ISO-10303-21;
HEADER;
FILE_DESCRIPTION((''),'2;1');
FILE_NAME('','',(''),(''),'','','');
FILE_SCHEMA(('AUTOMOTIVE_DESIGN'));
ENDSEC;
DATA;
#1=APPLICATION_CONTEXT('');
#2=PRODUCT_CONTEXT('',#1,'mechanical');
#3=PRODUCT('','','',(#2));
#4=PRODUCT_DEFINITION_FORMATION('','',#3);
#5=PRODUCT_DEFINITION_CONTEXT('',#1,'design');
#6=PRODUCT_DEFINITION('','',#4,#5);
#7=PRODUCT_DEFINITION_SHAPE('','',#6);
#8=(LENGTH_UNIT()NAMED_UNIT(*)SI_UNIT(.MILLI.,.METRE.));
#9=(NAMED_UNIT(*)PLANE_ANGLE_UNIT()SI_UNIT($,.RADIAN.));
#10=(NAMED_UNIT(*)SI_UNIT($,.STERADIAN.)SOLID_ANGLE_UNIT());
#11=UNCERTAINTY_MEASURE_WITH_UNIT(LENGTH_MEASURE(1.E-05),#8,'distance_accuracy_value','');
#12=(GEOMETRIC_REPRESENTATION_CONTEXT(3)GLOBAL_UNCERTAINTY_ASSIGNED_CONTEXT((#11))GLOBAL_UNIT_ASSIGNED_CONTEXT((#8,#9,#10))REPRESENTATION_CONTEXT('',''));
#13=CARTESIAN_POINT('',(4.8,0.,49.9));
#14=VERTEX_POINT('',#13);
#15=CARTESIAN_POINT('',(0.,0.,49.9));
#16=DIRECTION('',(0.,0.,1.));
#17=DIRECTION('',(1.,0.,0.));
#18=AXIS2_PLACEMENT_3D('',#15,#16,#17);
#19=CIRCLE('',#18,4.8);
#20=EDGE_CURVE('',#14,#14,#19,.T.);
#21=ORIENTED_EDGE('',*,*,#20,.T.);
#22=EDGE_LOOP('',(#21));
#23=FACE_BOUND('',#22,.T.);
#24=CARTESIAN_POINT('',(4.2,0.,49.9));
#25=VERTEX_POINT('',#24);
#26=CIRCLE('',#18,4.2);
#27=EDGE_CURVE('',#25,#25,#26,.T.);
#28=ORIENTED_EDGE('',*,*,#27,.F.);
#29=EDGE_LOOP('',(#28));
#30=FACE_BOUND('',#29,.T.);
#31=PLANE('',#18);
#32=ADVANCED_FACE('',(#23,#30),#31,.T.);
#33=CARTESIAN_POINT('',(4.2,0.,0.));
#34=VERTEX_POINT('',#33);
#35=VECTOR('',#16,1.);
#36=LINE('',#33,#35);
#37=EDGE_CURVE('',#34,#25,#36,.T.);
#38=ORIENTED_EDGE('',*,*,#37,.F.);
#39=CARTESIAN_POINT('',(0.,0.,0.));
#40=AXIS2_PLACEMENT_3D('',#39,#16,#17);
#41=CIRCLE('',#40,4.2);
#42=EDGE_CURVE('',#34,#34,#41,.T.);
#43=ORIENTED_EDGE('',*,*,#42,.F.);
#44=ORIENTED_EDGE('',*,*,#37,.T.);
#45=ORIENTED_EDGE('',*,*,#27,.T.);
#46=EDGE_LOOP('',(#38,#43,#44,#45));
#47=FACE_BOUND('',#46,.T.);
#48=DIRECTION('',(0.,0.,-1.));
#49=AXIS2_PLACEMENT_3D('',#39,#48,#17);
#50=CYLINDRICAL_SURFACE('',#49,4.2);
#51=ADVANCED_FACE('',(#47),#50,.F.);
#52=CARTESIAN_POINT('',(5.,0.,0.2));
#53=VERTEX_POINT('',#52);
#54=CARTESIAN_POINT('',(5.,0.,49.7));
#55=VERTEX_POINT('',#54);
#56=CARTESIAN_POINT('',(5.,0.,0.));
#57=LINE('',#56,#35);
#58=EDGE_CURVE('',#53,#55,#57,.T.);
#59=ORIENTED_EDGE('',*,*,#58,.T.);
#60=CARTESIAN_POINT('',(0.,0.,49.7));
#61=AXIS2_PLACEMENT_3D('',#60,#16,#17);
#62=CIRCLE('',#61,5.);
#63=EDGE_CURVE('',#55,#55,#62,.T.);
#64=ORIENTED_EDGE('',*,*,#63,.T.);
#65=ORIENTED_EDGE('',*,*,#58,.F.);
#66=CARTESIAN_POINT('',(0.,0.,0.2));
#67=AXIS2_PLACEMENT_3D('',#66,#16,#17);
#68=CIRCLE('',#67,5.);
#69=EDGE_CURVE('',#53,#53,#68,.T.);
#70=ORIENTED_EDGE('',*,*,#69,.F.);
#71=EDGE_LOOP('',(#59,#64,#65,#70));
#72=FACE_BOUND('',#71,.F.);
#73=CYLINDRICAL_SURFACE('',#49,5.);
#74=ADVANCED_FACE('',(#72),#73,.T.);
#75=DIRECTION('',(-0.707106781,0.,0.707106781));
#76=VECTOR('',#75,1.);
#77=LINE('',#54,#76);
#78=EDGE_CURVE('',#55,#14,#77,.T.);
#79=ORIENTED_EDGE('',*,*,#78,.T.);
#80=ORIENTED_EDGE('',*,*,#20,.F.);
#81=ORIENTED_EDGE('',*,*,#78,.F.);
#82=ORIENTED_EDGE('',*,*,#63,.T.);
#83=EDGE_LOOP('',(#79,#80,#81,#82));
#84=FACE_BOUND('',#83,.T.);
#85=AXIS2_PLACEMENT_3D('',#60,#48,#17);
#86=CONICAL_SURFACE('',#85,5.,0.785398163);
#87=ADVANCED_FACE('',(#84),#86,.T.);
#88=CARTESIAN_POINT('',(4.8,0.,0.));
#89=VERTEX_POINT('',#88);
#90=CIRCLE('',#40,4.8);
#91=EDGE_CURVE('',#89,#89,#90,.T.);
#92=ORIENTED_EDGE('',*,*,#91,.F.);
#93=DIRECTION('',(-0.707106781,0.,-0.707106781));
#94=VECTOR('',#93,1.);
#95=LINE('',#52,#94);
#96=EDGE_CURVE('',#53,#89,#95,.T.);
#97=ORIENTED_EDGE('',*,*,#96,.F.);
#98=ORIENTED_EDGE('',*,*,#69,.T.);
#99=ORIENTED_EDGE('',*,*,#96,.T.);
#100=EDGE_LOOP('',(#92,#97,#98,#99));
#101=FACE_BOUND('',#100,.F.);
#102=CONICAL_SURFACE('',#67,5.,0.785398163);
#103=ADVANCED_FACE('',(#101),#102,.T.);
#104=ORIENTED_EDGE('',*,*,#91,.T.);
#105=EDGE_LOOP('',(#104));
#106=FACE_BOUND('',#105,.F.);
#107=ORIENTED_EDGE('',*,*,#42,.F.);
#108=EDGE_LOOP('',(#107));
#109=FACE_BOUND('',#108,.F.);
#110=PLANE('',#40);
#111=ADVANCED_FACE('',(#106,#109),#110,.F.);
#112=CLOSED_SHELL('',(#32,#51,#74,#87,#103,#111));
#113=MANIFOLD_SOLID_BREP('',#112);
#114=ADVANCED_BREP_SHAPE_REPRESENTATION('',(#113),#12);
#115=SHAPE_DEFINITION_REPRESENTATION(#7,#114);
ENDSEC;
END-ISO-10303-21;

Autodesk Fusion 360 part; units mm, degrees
sketch "Esquisse1" plane through (0, 0, 0) normal (0, 0, 1) x (1, 0, 0)
  circle A0 centre (0, 0) radius 5
  circle A1 centre (0, 0) radius 4.2
  dimension "d1" = 10
  dimension "d2" = 8.4
extrude "Extrusion1" add sketch "Esquisse1" along normal blind 49.9
chamfer "Chanfrein1" distance 0.2 angle 45 1 edges at (-4.6616, -1.8081, 49.9)
chamfer "Chanfrein2" distance 0.2 angle 45 1 edges at (-4.6616, -1.8081, 0)
